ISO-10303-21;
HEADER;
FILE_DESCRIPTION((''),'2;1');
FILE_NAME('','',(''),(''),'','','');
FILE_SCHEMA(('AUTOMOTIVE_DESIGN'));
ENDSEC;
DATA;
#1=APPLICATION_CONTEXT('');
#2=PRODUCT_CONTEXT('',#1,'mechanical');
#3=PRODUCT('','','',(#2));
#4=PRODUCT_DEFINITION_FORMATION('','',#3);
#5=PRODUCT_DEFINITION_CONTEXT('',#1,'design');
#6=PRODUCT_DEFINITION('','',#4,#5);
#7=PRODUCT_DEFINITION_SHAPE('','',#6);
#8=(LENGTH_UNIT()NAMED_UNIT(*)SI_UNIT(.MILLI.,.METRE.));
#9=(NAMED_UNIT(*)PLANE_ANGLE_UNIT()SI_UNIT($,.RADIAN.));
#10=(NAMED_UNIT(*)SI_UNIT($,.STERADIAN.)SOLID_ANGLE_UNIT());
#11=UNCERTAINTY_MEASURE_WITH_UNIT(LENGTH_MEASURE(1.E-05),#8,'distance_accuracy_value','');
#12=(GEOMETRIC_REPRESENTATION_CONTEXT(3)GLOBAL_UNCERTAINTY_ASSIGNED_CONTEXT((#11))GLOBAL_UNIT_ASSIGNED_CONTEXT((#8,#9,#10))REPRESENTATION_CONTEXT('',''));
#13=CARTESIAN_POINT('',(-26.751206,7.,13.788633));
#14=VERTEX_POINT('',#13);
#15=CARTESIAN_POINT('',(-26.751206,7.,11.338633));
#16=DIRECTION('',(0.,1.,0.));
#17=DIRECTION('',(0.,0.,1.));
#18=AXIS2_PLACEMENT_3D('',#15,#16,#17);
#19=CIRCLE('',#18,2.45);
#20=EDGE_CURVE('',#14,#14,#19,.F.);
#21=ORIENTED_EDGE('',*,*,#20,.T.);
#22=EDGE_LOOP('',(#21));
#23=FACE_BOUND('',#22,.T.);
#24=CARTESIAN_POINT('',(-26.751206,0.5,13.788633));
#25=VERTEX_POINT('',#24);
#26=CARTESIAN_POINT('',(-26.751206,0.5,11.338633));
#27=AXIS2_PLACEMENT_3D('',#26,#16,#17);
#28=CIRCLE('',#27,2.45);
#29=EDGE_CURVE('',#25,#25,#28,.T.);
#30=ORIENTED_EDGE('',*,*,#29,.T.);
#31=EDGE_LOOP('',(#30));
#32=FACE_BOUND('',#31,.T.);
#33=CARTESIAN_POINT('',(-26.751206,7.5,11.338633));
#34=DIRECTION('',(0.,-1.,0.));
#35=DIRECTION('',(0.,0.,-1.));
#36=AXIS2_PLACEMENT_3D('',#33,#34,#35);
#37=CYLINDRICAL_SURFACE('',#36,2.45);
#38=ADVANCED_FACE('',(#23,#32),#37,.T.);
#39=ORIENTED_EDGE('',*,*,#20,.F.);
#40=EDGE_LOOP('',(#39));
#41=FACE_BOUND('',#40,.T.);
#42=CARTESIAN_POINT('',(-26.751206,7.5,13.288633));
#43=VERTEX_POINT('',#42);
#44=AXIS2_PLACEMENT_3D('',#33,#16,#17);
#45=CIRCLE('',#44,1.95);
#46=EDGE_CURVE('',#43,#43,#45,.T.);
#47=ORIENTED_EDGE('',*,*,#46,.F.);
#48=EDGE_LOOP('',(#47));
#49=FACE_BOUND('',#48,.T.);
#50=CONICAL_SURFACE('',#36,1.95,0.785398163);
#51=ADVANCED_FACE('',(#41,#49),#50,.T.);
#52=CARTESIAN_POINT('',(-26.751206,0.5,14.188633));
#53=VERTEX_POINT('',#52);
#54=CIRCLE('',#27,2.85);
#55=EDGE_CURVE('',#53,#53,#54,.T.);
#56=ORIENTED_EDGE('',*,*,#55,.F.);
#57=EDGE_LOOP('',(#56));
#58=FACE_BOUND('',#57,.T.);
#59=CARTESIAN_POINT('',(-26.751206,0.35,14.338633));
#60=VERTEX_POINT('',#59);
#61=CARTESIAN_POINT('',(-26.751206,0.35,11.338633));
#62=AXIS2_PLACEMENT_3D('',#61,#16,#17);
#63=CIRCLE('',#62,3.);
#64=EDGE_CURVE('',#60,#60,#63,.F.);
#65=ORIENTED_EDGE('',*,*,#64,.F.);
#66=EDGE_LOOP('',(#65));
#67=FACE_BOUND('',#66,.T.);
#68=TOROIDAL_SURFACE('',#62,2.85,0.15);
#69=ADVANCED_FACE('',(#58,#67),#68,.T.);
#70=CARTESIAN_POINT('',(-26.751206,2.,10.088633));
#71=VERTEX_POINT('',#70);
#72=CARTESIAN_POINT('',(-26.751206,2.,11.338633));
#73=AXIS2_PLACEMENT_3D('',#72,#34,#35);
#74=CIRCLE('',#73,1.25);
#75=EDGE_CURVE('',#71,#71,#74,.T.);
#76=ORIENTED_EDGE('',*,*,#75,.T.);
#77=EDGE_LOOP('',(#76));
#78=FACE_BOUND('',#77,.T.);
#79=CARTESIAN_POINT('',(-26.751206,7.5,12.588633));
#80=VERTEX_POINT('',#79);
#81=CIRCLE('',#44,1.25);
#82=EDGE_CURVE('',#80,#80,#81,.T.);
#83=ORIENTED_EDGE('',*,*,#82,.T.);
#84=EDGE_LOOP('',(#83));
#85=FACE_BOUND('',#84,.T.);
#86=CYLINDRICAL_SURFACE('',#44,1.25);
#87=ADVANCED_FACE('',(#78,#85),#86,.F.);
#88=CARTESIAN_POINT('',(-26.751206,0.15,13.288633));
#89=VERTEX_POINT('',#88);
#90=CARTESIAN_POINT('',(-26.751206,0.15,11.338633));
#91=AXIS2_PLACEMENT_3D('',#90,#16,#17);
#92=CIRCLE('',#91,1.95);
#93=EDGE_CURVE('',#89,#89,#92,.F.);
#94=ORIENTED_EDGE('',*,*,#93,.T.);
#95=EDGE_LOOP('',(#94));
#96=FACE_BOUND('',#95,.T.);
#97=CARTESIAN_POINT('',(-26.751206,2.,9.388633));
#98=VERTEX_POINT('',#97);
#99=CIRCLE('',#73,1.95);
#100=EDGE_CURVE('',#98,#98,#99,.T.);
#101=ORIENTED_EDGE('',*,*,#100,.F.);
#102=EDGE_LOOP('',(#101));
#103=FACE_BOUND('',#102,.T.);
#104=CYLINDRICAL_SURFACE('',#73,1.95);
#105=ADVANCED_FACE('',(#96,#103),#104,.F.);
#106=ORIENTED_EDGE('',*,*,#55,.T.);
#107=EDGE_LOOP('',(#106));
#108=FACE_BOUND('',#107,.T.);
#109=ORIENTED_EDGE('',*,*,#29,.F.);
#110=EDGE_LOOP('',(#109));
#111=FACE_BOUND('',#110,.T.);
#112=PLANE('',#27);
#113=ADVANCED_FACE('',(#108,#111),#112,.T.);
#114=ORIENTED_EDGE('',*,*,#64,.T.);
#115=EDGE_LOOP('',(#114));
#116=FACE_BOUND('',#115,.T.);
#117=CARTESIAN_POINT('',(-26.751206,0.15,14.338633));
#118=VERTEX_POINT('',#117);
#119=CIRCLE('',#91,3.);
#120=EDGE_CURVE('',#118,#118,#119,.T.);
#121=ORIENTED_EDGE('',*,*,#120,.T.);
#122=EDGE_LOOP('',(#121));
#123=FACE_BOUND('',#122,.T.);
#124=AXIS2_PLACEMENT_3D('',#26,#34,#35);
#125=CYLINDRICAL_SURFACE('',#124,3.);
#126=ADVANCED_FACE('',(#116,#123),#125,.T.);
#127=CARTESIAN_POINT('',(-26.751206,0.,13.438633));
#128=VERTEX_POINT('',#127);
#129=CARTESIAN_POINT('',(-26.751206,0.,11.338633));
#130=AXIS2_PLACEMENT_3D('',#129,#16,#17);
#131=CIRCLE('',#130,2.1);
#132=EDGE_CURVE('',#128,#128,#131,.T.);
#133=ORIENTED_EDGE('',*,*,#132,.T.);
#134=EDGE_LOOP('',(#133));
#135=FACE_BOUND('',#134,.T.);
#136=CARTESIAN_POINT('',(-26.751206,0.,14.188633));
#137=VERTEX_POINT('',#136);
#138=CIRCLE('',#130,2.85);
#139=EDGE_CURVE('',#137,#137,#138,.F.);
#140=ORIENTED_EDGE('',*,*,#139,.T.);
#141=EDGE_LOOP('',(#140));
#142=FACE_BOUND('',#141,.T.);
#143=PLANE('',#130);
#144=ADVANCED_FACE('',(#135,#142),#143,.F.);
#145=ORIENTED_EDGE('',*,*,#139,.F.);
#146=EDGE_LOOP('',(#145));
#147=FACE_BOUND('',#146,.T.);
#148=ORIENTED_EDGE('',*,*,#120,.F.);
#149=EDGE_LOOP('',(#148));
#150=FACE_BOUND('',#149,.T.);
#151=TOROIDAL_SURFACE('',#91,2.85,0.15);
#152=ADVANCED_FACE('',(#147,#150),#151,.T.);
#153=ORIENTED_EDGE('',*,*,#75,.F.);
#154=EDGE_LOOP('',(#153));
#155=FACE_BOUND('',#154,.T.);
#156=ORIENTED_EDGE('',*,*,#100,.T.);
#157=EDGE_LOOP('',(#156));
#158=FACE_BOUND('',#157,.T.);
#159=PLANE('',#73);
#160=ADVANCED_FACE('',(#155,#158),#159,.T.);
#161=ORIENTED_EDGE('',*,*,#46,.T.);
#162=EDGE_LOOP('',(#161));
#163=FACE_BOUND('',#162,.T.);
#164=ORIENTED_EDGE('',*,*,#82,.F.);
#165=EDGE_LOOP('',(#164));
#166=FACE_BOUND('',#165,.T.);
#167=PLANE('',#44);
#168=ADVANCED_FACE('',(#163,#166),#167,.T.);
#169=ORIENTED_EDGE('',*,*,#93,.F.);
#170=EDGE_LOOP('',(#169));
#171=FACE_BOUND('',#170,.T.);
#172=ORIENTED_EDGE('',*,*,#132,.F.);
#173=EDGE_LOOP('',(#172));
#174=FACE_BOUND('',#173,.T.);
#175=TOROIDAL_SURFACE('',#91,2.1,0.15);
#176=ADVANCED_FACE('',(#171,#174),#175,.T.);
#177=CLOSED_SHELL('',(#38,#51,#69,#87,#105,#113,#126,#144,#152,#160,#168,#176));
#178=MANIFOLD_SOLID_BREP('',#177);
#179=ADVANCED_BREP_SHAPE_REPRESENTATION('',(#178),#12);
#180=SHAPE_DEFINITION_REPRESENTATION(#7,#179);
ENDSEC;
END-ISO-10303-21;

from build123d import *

# Parameters (mm, degrees)
ESBO_O1_R                     = 3
EXTRUS_O1_DEPTH               = 0.5
ESBO_O2_R                     = 2.45
EXTRUS_O2_DEPTH               = 7
CHANFRO1_SIZE                 = 0.5
ESBO_O3_R                     = 1.95
EXTRUS_O3_DEPTH               = 2
ESBO_O4_R                     = 1.05
EXTRUS_O4_DEPTH               = 10
FURO_ROSCADO_DE_M3X0_53_D     = 2.5
FURO_ROSCADO_DE_M3X0_53_DEPTH = 8.5
FURO_ROSCADO_DE_M3X0_53_TIP   = 0.751075774
FILETE1_R                     = 0.15


with BuildPart() as part:
    # Esboço1 → Extrusão1 (new body)
    with BuildSketch(Plane(origin=(0, 0, 0), x_dir=(1, 0, 0), z_dir=(0, 1, 0))):
        with Locations(Location((-26.751205923, -11.338633094, 0), (0, 0, 270))):
            Circle(ESBO_O1_R)
    extrude(amount=EXTRUS_O1_DEPTH)

    # Esboço2 → Extrusão2 (add)
    with BuildSketch(Plane(origin=(0, 0.5, 0), x_dir=(1, 0, 0), z_dir=(0, 1, 0))):
        with Locations(Location((-26.751205923, -11.338633094, 0), (0, 0, 270))):
            Circle(ESBO_O2_R)
    extrude(amount=EXTRUS_O2_DEPTH)

    # Chanfro1
    chanfro1_edges = [part.edges().sort_by_distance(p)[0] for p in [
        (-26.751205923, 7.5, 8.888633094),
    ]]
    chamfer(chanfro1_edges, length=CHANFRO1_SIZE)

    # Esboço3 → Extrusão3 (cut)
    with BuildSketch(Plane.XZ):
        with Locations(Location((-26.751205923, 11.338633094, 0), (0, 0, 270))):
            Circle(ESBO_O3_R)
    extrude(amount=-EXTRUS_O3_DEPTH, mode=Mode.SUBTRACT)

    # Esboço4 → Extrusão4 (cut)
    with BuildSketch(Plane(origin=(0, 7.5, 0), x_dir=(1, 0, 0), z_dir=(0, 1, 0))):
        with Locations(Location((-26.751205923, -11.338633094, 0), (0, 0, 270))):
            Circle(ESBO_O4_R)
    extrude(amount=-EXTRUS_O4_DEPTH, mode=Mode.SUBTRACT)

    # Furo roscado de M3x0.53
    with Locations(Plane(origin=(-26.751205923, 7.5, 11.338633094), x_dir=(0, 0, 1), z_dir=(0, 1, 0))):
        with Locations((0, 0)):
            Hole(FURO_ROSCADO_DE_M3X0_53_D / 2, depth=FURO_ROSCADO_DE_M3X0_53_DEPTH)
            with Locations((0, 0, -(FURO_ROSCADO_DE_M3X0_53_DEPTH + FURO_ROSCADO_DE_M3X0_53_TIP / 2))):  # 118° drill point
                Cone(0, FURO_ROSCADO_DE_M3X0_53_D / 2, FURO_ROSCADO_DE_M3X0_53_TIP, mode=Mode.SUBTRACT)

    # Filete1
    filete1_edges = [part.edges().sort_by_distance(p)[0] for p in [
        (-26.751205923, 0, 13.288633094),
        (-26.751205923, 0, 8.338633094),
        (-26.751205923, 0.5, 8.338633094),
    ]]
    fillet(filete1_edges, radius=FILETE1_R)


solid = part.part
